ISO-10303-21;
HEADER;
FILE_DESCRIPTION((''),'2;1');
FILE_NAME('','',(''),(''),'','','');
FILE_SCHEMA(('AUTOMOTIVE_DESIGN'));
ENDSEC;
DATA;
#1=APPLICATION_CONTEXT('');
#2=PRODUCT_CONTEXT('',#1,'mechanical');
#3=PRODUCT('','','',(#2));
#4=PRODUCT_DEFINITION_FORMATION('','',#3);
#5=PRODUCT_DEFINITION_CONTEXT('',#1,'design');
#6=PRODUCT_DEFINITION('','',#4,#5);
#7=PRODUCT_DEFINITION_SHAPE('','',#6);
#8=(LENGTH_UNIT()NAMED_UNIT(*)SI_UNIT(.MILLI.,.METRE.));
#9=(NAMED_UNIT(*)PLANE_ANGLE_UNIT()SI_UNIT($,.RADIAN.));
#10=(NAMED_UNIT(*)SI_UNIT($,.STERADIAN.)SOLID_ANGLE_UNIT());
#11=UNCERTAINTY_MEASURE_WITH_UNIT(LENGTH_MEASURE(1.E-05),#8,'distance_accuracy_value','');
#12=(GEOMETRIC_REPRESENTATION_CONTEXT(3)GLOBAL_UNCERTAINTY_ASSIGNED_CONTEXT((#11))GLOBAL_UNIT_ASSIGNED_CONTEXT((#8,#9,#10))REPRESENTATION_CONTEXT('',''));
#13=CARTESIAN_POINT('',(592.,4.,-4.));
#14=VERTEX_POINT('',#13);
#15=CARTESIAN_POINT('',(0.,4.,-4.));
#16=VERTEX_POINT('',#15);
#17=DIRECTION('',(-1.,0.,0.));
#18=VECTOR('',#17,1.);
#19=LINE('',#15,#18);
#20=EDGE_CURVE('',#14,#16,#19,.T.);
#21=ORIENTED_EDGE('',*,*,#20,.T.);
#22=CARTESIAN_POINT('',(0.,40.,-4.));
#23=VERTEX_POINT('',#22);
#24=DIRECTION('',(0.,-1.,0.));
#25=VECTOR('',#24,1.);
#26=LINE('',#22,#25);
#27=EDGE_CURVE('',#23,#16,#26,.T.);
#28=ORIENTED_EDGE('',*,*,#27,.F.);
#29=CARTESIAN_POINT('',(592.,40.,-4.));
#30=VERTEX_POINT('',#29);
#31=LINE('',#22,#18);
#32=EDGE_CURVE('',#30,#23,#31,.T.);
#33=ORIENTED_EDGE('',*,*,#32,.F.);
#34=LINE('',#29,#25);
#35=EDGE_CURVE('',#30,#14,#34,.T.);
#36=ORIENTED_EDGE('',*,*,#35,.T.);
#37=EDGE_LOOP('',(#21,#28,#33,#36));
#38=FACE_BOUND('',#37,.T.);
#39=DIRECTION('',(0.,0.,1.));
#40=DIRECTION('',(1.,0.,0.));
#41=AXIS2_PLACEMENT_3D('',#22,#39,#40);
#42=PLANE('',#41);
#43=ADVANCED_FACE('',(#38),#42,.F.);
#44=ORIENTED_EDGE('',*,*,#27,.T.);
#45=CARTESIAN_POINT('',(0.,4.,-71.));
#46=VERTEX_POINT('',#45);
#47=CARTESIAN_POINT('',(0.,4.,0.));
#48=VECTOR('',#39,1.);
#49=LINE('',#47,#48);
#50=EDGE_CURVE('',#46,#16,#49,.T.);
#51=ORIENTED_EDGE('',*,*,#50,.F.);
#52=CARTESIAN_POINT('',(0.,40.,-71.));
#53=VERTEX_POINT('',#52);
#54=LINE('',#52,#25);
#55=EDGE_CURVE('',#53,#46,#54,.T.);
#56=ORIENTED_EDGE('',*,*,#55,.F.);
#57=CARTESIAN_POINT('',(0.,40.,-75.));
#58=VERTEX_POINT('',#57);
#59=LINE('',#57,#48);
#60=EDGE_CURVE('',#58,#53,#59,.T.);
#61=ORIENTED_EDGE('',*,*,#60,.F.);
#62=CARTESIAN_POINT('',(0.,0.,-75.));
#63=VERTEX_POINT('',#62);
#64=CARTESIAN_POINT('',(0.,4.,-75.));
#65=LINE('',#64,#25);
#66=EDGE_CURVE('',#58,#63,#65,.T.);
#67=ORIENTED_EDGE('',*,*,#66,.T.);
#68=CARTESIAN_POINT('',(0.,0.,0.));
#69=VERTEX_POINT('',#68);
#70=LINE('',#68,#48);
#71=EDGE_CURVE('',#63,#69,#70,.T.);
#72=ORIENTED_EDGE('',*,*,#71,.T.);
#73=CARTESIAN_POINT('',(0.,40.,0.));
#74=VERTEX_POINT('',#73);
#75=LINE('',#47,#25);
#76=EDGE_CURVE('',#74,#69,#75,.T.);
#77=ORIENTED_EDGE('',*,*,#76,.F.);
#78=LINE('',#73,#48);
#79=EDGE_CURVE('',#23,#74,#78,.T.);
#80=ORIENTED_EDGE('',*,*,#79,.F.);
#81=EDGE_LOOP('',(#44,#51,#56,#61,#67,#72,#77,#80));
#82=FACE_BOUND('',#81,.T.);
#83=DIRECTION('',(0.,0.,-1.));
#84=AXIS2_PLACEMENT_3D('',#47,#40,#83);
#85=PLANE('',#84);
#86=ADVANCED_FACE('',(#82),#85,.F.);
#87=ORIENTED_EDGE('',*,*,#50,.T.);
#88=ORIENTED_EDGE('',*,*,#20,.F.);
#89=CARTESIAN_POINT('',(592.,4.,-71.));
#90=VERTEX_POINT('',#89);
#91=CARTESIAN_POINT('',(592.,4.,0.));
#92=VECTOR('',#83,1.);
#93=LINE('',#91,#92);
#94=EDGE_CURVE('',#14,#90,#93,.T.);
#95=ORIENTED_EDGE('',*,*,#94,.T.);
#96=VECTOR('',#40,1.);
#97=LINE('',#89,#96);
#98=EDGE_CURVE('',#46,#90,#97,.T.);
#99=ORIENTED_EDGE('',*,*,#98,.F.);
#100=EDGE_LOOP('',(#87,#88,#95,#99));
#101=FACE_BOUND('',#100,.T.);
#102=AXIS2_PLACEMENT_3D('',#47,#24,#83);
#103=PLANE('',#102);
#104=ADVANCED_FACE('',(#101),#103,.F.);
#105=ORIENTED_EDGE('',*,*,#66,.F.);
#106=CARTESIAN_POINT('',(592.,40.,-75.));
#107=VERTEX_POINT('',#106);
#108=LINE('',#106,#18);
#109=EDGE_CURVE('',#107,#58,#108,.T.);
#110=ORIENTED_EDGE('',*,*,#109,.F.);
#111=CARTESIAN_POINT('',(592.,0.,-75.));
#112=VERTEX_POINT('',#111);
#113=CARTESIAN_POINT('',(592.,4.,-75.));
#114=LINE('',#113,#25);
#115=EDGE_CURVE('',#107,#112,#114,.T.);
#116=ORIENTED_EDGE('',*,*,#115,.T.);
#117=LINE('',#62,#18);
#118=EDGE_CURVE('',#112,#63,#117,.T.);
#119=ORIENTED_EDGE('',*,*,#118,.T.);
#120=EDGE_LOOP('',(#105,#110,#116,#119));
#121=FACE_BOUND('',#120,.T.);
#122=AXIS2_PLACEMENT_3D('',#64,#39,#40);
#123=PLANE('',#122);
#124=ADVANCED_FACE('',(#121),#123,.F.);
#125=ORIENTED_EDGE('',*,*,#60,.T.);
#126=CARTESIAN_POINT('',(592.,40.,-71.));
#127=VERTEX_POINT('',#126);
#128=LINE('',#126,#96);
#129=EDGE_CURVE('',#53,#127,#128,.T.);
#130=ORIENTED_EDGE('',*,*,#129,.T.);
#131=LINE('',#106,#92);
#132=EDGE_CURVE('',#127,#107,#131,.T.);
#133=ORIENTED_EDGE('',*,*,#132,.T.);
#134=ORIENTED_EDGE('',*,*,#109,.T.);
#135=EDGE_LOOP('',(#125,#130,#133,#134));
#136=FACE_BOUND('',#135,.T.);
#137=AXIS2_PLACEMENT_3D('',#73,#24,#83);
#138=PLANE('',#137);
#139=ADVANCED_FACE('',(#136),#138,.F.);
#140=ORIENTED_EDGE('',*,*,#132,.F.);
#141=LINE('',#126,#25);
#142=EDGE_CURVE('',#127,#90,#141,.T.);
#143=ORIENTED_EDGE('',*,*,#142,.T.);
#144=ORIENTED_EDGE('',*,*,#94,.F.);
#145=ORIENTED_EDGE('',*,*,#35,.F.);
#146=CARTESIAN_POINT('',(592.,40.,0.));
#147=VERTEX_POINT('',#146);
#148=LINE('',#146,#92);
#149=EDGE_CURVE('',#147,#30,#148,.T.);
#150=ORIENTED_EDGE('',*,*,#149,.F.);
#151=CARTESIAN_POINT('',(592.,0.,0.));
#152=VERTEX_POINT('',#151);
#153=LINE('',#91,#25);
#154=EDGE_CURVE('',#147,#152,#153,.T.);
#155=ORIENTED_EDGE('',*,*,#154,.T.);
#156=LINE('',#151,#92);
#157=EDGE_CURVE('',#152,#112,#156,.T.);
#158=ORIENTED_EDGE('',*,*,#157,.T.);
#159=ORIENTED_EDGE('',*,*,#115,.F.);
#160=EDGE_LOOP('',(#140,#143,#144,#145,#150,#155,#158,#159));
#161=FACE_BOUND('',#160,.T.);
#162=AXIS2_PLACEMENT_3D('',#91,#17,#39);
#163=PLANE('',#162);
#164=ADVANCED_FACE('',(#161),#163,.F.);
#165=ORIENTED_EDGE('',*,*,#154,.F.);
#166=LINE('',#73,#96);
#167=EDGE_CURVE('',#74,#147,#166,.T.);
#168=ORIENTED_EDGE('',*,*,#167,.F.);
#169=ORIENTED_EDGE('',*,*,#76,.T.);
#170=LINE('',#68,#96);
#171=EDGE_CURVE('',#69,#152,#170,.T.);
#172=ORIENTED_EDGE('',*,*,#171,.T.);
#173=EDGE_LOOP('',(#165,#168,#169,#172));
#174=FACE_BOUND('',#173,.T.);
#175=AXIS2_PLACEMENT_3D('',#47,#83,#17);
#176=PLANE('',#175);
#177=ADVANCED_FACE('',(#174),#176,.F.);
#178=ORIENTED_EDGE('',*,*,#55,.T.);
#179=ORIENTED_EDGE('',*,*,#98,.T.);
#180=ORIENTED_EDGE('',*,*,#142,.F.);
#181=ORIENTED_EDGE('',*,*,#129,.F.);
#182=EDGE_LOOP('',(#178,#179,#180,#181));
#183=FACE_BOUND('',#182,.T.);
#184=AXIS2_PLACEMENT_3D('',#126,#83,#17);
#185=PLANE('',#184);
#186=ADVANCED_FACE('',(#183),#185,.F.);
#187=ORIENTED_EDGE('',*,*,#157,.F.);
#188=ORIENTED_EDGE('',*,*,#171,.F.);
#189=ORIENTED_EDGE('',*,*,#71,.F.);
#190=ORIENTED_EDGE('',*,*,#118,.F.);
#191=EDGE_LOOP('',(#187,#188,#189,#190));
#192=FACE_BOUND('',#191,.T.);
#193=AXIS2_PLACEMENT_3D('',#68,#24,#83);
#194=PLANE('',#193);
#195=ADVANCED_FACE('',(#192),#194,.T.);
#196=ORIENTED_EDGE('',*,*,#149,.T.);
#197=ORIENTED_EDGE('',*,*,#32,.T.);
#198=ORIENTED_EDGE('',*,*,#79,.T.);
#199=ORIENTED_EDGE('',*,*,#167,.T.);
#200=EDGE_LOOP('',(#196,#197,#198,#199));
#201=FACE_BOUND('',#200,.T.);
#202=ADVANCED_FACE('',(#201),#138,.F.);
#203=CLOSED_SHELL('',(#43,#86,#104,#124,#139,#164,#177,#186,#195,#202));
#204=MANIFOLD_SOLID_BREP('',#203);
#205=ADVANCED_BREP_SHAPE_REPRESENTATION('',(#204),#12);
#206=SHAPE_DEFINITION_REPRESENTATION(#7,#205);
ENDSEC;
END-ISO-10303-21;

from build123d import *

# Parameters (mm, degrees)
SKETCH_3_W      = 592
SKETCH_3_H      = 75
EXTRUDE_2_DEPTH = 4
SKETCH_4_W      = 592
SKETCH_4_H      = 4
EXTRUDE_3_DEPTH = 36


with BuildPart() as part:
    # 스케치3 → 보스-돌출2 (new body)
    with BuildSketch(Plane(origin=(0, 0, 0), x_dir=(1, 0, 0), z_dir=(0, 1, 0))):
        with Locations((296, 37.5)):
            Rectangle(SKETCH_3_W, SKETCH_3_H)
    extrude(amount=EXTRUDE_2_DEPTH)

    # 스케치4 → 보스-돌출3 (add)
    with BuildSketch(Plane(origin=(0, 4, 0), x_dir=(1, 0, 0), z_dir=(0, 1, 0))):
        with Locations((296, 2)):
            Rectangle(SKETCH_4_W, SKETCH_4_H)
        with Locations((296, 73)):
            Rectangle(SKETCH_4_W, SKETCH_4_H)
    extrude(amount=EXTRUDE_3_DEPTH)


solid = part.part
